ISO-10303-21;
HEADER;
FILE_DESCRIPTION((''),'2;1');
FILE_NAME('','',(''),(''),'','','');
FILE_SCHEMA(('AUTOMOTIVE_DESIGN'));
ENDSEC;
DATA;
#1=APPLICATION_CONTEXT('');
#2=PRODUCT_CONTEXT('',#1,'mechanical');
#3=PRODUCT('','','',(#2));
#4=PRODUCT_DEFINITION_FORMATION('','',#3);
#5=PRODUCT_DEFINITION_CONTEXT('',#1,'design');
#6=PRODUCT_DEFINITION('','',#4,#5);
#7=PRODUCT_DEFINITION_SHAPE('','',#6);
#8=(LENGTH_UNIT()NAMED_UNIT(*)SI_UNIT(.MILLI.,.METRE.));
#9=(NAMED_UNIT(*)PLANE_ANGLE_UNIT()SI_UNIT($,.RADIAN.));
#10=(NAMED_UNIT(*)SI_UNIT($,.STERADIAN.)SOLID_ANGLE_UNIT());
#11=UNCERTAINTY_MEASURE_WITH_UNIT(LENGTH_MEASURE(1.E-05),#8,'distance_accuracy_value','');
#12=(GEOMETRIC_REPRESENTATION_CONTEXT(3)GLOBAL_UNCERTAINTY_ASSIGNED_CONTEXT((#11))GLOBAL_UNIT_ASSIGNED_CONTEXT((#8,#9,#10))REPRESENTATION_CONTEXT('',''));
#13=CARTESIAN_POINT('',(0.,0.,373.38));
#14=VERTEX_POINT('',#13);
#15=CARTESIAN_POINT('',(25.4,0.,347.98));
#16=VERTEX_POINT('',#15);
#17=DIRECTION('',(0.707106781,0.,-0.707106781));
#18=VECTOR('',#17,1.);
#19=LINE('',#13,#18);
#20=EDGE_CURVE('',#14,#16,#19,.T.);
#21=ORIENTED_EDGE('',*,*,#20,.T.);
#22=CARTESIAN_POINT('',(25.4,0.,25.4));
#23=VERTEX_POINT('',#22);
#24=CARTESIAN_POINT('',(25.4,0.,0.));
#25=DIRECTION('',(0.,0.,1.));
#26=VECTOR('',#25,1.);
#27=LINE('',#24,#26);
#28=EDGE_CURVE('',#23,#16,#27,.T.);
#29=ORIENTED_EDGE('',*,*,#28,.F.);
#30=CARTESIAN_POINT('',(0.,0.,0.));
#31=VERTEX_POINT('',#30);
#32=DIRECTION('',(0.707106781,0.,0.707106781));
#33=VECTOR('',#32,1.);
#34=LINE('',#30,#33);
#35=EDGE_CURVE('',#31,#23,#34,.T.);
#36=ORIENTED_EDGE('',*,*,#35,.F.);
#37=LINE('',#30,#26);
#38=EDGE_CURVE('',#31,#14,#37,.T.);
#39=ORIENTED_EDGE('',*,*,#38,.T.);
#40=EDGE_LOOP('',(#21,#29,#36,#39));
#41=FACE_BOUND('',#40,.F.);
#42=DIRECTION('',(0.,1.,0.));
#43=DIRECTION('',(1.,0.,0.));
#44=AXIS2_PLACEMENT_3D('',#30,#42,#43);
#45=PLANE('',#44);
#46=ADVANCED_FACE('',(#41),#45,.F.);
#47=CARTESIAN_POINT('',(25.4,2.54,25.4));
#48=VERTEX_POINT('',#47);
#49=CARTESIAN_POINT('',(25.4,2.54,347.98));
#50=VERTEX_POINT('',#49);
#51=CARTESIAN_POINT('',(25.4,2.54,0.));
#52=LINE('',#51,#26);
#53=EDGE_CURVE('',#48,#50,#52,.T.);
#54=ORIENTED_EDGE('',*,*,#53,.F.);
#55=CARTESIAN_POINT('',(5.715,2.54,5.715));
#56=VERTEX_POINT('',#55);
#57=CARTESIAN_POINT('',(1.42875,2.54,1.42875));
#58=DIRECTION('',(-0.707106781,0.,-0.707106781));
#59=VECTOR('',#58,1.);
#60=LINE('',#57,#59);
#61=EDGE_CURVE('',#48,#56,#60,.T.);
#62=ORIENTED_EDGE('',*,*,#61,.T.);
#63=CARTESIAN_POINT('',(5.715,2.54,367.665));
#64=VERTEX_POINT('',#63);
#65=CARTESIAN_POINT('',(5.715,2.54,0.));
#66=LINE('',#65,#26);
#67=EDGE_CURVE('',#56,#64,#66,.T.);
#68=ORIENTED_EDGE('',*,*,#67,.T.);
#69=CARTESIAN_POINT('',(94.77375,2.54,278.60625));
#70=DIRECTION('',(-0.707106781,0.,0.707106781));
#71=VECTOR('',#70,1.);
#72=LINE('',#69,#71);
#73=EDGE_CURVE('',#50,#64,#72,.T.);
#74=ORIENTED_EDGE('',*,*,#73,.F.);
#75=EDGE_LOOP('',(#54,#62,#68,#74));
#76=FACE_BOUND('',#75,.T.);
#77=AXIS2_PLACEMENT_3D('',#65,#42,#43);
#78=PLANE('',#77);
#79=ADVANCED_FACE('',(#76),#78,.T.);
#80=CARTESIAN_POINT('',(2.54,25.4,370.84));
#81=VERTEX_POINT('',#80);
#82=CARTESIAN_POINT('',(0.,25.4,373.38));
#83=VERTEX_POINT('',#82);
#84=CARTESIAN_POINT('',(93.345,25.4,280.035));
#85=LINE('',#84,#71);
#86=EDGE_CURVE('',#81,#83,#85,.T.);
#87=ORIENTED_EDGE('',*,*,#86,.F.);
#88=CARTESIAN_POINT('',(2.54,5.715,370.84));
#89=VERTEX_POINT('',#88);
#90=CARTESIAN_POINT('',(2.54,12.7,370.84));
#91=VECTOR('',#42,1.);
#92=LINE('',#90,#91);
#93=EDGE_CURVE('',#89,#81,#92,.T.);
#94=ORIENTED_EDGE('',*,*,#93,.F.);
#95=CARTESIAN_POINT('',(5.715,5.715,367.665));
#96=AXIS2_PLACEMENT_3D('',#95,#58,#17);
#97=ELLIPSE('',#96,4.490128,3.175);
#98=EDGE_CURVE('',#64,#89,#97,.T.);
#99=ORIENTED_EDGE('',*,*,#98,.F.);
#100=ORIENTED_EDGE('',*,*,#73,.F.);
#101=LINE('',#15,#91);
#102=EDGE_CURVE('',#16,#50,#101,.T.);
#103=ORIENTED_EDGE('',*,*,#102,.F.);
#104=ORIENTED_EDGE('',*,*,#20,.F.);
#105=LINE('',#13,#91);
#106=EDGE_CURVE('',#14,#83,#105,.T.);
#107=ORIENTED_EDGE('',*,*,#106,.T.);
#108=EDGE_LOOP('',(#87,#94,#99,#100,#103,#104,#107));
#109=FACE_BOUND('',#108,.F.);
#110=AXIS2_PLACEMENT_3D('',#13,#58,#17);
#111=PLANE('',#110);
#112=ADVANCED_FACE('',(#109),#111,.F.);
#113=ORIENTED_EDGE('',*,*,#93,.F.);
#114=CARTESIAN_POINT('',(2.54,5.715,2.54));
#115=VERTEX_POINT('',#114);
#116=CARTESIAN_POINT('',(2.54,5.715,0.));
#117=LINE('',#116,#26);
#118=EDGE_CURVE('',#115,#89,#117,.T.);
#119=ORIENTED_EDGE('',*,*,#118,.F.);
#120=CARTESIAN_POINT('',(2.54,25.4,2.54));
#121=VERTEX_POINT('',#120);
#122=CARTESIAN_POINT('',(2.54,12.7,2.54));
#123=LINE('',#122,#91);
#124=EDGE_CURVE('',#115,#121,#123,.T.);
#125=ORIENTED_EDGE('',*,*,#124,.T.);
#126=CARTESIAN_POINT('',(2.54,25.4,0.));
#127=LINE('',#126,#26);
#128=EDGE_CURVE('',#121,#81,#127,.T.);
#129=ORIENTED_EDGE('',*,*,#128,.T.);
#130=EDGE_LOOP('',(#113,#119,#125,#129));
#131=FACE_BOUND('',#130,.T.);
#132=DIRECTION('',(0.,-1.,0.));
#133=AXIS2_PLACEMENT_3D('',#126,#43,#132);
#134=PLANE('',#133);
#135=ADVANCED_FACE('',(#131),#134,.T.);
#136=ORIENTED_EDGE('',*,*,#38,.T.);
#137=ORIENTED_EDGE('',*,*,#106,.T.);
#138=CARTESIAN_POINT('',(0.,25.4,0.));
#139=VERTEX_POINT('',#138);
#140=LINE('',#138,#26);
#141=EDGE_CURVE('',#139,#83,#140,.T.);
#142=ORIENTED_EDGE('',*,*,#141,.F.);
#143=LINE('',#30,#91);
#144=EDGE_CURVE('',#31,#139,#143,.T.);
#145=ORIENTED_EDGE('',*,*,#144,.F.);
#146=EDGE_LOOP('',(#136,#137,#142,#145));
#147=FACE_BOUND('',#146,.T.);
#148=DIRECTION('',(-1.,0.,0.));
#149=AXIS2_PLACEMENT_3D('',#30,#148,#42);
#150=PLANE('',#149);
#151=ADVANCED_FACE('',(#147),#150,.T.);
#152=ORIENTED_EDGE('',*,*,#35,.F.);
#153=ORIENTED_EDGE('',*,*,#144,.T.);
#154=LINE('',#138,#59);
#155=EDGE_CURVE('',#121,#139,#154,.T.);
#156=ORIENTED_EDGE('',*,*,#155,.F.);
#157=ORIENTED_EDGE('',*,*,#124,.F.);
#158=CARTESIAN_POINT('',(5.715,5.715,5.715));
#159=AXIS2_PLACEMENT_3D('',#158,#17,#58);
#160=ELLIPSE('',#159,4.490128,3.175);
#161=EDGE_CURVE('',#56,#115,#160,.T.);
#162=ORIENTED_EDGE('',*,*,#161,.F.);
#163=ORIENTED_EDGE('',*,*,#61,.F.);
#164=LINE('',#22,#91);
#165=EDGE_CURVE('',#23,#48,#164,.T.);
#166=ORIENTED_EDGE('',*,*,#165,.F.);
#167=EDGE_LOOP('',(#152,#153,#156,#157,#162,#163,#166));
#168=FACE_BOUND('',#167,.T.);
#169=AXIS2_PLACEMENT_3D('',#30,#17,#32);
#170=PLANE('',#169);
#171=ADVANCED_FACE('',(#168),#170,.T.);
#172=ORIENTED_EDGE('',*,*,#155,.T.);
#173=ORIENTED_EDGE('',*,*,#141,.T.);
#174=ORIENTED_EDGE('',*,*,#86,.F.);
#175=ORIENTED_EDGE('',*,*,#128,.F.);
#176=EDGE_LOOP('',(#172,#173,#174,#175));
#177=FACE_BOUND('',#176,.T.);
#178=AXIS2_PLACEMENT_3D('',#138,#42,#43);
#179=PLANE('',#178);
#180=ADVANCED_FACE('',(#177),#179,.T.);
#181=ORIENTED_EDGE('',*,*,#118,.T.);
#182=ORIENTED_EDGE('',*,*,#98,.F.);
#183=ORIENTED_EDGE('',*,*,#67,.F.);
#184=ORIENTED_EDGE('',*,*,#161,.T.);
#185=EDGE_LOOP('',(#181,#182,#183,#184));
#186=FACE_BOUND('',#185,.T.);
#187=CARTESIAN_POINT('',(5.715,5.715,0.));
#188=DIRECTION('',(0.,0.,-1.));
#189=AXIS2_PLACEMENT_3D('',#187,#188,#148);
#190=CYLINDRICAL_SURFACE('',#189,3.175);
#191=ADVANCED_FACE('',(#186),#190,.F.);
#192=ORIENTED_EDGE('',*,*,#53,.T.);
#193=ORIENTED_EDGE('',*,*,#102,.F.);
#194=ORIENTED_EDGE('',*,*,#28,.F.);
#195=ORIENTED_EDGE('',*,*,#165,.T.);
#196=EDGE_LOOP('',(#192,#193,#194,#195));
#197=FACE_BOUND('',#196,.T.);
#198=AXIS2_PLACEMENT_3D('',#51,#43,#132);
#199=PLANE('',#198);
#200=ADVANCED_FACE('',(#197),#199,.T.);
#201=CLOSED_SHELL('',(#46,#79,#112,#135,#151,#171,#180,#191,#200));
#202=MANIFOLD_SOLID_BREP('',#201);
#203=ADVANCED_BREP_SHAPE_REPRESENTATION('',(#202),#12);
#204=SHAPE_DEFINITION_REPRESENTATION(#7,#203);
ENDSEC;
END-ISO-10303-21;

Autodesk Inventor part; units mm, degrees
ref_plane "YZ Plane" through (0, 0, 0) normal (1, 0, 0) x (0, 1, 0)
ref_plane "XZ Plane" through (0, 0, 0) normal (0, 1, 0) x (-1, 0, 0)
ref_plane "XY Plane" through (0, 0, 0) normal (0, 0, 1) x (1, 0, 0)
sketch "Sketch1" plane through (0, 0, 0) normal (0, 0, 1) x (1, 0, 0)
  line L0 (0, 0) -> (0, 25.4)
  line L1 (0, 0) -> (25.4, 0)
  line L2 (2.54, 25.4) -> (2.54, 5.715)
  line L3 (5.715, 2.54) -> (25.4, 2.54)
  arc A0 (2.54, 5.715) -> (5.715, 2.54) centre (5.715, 5.715) ccw
  line L4 (0, 25.4) -> (2.54, 25.4)
  line L5 (25.4, 2.54) -> (25.4, 0)
  dimension "d0" = 25.4
  dimension "d1" = 25.4
  dimension "d2" = 2.54
  dimension "d3" = 3.175
extrude "Extrusion1" add sketch "Sketch1" along normal blind 373.38
sketch "Sketch10" plane through (0, 0, 0) normal (0, -1, 0) x (1, 0, 0)
  line L0 (25.4, 0) -> (0, 0) projected
  line L1 (25.4, 0) -> (25.4, 373.38) projected
  line L2 (0, 373.38) -> (25.4, 373.38) projected
  line L3 (0, 373.38) -> (25.4, 347.98)
  line L4 (0, 373.38) -> (70.5746, 373.38) construction
  line L5 (0, 0) -> (25.4, 25.4)
  line L6 (0, 0) -> (99.8075, 0) construction
  dimension "d36" = 45
  dimension "d37" = 45
extrude "Extrusion8" cut sketch "Sketch10" against normal blind 50.8
equation "\"d0\" = hubAngleWidth1"
equation "\"d1\" = hubAngleWidth2"
equation "\"d2\" = hubAngleThickness"
equation "\"d3\" = 1.25 * hubAngleThickness"
equation "\"hubAngleThickness\" = 2.54"
equation "\"hubAngleWidth1\" = 25.4"
equation "\"hubAngleWidth2\" = 25.4"
equation "\"hubCentralHoleOffset\" = 12.7"
properties part number "hubRingJigOuter"
